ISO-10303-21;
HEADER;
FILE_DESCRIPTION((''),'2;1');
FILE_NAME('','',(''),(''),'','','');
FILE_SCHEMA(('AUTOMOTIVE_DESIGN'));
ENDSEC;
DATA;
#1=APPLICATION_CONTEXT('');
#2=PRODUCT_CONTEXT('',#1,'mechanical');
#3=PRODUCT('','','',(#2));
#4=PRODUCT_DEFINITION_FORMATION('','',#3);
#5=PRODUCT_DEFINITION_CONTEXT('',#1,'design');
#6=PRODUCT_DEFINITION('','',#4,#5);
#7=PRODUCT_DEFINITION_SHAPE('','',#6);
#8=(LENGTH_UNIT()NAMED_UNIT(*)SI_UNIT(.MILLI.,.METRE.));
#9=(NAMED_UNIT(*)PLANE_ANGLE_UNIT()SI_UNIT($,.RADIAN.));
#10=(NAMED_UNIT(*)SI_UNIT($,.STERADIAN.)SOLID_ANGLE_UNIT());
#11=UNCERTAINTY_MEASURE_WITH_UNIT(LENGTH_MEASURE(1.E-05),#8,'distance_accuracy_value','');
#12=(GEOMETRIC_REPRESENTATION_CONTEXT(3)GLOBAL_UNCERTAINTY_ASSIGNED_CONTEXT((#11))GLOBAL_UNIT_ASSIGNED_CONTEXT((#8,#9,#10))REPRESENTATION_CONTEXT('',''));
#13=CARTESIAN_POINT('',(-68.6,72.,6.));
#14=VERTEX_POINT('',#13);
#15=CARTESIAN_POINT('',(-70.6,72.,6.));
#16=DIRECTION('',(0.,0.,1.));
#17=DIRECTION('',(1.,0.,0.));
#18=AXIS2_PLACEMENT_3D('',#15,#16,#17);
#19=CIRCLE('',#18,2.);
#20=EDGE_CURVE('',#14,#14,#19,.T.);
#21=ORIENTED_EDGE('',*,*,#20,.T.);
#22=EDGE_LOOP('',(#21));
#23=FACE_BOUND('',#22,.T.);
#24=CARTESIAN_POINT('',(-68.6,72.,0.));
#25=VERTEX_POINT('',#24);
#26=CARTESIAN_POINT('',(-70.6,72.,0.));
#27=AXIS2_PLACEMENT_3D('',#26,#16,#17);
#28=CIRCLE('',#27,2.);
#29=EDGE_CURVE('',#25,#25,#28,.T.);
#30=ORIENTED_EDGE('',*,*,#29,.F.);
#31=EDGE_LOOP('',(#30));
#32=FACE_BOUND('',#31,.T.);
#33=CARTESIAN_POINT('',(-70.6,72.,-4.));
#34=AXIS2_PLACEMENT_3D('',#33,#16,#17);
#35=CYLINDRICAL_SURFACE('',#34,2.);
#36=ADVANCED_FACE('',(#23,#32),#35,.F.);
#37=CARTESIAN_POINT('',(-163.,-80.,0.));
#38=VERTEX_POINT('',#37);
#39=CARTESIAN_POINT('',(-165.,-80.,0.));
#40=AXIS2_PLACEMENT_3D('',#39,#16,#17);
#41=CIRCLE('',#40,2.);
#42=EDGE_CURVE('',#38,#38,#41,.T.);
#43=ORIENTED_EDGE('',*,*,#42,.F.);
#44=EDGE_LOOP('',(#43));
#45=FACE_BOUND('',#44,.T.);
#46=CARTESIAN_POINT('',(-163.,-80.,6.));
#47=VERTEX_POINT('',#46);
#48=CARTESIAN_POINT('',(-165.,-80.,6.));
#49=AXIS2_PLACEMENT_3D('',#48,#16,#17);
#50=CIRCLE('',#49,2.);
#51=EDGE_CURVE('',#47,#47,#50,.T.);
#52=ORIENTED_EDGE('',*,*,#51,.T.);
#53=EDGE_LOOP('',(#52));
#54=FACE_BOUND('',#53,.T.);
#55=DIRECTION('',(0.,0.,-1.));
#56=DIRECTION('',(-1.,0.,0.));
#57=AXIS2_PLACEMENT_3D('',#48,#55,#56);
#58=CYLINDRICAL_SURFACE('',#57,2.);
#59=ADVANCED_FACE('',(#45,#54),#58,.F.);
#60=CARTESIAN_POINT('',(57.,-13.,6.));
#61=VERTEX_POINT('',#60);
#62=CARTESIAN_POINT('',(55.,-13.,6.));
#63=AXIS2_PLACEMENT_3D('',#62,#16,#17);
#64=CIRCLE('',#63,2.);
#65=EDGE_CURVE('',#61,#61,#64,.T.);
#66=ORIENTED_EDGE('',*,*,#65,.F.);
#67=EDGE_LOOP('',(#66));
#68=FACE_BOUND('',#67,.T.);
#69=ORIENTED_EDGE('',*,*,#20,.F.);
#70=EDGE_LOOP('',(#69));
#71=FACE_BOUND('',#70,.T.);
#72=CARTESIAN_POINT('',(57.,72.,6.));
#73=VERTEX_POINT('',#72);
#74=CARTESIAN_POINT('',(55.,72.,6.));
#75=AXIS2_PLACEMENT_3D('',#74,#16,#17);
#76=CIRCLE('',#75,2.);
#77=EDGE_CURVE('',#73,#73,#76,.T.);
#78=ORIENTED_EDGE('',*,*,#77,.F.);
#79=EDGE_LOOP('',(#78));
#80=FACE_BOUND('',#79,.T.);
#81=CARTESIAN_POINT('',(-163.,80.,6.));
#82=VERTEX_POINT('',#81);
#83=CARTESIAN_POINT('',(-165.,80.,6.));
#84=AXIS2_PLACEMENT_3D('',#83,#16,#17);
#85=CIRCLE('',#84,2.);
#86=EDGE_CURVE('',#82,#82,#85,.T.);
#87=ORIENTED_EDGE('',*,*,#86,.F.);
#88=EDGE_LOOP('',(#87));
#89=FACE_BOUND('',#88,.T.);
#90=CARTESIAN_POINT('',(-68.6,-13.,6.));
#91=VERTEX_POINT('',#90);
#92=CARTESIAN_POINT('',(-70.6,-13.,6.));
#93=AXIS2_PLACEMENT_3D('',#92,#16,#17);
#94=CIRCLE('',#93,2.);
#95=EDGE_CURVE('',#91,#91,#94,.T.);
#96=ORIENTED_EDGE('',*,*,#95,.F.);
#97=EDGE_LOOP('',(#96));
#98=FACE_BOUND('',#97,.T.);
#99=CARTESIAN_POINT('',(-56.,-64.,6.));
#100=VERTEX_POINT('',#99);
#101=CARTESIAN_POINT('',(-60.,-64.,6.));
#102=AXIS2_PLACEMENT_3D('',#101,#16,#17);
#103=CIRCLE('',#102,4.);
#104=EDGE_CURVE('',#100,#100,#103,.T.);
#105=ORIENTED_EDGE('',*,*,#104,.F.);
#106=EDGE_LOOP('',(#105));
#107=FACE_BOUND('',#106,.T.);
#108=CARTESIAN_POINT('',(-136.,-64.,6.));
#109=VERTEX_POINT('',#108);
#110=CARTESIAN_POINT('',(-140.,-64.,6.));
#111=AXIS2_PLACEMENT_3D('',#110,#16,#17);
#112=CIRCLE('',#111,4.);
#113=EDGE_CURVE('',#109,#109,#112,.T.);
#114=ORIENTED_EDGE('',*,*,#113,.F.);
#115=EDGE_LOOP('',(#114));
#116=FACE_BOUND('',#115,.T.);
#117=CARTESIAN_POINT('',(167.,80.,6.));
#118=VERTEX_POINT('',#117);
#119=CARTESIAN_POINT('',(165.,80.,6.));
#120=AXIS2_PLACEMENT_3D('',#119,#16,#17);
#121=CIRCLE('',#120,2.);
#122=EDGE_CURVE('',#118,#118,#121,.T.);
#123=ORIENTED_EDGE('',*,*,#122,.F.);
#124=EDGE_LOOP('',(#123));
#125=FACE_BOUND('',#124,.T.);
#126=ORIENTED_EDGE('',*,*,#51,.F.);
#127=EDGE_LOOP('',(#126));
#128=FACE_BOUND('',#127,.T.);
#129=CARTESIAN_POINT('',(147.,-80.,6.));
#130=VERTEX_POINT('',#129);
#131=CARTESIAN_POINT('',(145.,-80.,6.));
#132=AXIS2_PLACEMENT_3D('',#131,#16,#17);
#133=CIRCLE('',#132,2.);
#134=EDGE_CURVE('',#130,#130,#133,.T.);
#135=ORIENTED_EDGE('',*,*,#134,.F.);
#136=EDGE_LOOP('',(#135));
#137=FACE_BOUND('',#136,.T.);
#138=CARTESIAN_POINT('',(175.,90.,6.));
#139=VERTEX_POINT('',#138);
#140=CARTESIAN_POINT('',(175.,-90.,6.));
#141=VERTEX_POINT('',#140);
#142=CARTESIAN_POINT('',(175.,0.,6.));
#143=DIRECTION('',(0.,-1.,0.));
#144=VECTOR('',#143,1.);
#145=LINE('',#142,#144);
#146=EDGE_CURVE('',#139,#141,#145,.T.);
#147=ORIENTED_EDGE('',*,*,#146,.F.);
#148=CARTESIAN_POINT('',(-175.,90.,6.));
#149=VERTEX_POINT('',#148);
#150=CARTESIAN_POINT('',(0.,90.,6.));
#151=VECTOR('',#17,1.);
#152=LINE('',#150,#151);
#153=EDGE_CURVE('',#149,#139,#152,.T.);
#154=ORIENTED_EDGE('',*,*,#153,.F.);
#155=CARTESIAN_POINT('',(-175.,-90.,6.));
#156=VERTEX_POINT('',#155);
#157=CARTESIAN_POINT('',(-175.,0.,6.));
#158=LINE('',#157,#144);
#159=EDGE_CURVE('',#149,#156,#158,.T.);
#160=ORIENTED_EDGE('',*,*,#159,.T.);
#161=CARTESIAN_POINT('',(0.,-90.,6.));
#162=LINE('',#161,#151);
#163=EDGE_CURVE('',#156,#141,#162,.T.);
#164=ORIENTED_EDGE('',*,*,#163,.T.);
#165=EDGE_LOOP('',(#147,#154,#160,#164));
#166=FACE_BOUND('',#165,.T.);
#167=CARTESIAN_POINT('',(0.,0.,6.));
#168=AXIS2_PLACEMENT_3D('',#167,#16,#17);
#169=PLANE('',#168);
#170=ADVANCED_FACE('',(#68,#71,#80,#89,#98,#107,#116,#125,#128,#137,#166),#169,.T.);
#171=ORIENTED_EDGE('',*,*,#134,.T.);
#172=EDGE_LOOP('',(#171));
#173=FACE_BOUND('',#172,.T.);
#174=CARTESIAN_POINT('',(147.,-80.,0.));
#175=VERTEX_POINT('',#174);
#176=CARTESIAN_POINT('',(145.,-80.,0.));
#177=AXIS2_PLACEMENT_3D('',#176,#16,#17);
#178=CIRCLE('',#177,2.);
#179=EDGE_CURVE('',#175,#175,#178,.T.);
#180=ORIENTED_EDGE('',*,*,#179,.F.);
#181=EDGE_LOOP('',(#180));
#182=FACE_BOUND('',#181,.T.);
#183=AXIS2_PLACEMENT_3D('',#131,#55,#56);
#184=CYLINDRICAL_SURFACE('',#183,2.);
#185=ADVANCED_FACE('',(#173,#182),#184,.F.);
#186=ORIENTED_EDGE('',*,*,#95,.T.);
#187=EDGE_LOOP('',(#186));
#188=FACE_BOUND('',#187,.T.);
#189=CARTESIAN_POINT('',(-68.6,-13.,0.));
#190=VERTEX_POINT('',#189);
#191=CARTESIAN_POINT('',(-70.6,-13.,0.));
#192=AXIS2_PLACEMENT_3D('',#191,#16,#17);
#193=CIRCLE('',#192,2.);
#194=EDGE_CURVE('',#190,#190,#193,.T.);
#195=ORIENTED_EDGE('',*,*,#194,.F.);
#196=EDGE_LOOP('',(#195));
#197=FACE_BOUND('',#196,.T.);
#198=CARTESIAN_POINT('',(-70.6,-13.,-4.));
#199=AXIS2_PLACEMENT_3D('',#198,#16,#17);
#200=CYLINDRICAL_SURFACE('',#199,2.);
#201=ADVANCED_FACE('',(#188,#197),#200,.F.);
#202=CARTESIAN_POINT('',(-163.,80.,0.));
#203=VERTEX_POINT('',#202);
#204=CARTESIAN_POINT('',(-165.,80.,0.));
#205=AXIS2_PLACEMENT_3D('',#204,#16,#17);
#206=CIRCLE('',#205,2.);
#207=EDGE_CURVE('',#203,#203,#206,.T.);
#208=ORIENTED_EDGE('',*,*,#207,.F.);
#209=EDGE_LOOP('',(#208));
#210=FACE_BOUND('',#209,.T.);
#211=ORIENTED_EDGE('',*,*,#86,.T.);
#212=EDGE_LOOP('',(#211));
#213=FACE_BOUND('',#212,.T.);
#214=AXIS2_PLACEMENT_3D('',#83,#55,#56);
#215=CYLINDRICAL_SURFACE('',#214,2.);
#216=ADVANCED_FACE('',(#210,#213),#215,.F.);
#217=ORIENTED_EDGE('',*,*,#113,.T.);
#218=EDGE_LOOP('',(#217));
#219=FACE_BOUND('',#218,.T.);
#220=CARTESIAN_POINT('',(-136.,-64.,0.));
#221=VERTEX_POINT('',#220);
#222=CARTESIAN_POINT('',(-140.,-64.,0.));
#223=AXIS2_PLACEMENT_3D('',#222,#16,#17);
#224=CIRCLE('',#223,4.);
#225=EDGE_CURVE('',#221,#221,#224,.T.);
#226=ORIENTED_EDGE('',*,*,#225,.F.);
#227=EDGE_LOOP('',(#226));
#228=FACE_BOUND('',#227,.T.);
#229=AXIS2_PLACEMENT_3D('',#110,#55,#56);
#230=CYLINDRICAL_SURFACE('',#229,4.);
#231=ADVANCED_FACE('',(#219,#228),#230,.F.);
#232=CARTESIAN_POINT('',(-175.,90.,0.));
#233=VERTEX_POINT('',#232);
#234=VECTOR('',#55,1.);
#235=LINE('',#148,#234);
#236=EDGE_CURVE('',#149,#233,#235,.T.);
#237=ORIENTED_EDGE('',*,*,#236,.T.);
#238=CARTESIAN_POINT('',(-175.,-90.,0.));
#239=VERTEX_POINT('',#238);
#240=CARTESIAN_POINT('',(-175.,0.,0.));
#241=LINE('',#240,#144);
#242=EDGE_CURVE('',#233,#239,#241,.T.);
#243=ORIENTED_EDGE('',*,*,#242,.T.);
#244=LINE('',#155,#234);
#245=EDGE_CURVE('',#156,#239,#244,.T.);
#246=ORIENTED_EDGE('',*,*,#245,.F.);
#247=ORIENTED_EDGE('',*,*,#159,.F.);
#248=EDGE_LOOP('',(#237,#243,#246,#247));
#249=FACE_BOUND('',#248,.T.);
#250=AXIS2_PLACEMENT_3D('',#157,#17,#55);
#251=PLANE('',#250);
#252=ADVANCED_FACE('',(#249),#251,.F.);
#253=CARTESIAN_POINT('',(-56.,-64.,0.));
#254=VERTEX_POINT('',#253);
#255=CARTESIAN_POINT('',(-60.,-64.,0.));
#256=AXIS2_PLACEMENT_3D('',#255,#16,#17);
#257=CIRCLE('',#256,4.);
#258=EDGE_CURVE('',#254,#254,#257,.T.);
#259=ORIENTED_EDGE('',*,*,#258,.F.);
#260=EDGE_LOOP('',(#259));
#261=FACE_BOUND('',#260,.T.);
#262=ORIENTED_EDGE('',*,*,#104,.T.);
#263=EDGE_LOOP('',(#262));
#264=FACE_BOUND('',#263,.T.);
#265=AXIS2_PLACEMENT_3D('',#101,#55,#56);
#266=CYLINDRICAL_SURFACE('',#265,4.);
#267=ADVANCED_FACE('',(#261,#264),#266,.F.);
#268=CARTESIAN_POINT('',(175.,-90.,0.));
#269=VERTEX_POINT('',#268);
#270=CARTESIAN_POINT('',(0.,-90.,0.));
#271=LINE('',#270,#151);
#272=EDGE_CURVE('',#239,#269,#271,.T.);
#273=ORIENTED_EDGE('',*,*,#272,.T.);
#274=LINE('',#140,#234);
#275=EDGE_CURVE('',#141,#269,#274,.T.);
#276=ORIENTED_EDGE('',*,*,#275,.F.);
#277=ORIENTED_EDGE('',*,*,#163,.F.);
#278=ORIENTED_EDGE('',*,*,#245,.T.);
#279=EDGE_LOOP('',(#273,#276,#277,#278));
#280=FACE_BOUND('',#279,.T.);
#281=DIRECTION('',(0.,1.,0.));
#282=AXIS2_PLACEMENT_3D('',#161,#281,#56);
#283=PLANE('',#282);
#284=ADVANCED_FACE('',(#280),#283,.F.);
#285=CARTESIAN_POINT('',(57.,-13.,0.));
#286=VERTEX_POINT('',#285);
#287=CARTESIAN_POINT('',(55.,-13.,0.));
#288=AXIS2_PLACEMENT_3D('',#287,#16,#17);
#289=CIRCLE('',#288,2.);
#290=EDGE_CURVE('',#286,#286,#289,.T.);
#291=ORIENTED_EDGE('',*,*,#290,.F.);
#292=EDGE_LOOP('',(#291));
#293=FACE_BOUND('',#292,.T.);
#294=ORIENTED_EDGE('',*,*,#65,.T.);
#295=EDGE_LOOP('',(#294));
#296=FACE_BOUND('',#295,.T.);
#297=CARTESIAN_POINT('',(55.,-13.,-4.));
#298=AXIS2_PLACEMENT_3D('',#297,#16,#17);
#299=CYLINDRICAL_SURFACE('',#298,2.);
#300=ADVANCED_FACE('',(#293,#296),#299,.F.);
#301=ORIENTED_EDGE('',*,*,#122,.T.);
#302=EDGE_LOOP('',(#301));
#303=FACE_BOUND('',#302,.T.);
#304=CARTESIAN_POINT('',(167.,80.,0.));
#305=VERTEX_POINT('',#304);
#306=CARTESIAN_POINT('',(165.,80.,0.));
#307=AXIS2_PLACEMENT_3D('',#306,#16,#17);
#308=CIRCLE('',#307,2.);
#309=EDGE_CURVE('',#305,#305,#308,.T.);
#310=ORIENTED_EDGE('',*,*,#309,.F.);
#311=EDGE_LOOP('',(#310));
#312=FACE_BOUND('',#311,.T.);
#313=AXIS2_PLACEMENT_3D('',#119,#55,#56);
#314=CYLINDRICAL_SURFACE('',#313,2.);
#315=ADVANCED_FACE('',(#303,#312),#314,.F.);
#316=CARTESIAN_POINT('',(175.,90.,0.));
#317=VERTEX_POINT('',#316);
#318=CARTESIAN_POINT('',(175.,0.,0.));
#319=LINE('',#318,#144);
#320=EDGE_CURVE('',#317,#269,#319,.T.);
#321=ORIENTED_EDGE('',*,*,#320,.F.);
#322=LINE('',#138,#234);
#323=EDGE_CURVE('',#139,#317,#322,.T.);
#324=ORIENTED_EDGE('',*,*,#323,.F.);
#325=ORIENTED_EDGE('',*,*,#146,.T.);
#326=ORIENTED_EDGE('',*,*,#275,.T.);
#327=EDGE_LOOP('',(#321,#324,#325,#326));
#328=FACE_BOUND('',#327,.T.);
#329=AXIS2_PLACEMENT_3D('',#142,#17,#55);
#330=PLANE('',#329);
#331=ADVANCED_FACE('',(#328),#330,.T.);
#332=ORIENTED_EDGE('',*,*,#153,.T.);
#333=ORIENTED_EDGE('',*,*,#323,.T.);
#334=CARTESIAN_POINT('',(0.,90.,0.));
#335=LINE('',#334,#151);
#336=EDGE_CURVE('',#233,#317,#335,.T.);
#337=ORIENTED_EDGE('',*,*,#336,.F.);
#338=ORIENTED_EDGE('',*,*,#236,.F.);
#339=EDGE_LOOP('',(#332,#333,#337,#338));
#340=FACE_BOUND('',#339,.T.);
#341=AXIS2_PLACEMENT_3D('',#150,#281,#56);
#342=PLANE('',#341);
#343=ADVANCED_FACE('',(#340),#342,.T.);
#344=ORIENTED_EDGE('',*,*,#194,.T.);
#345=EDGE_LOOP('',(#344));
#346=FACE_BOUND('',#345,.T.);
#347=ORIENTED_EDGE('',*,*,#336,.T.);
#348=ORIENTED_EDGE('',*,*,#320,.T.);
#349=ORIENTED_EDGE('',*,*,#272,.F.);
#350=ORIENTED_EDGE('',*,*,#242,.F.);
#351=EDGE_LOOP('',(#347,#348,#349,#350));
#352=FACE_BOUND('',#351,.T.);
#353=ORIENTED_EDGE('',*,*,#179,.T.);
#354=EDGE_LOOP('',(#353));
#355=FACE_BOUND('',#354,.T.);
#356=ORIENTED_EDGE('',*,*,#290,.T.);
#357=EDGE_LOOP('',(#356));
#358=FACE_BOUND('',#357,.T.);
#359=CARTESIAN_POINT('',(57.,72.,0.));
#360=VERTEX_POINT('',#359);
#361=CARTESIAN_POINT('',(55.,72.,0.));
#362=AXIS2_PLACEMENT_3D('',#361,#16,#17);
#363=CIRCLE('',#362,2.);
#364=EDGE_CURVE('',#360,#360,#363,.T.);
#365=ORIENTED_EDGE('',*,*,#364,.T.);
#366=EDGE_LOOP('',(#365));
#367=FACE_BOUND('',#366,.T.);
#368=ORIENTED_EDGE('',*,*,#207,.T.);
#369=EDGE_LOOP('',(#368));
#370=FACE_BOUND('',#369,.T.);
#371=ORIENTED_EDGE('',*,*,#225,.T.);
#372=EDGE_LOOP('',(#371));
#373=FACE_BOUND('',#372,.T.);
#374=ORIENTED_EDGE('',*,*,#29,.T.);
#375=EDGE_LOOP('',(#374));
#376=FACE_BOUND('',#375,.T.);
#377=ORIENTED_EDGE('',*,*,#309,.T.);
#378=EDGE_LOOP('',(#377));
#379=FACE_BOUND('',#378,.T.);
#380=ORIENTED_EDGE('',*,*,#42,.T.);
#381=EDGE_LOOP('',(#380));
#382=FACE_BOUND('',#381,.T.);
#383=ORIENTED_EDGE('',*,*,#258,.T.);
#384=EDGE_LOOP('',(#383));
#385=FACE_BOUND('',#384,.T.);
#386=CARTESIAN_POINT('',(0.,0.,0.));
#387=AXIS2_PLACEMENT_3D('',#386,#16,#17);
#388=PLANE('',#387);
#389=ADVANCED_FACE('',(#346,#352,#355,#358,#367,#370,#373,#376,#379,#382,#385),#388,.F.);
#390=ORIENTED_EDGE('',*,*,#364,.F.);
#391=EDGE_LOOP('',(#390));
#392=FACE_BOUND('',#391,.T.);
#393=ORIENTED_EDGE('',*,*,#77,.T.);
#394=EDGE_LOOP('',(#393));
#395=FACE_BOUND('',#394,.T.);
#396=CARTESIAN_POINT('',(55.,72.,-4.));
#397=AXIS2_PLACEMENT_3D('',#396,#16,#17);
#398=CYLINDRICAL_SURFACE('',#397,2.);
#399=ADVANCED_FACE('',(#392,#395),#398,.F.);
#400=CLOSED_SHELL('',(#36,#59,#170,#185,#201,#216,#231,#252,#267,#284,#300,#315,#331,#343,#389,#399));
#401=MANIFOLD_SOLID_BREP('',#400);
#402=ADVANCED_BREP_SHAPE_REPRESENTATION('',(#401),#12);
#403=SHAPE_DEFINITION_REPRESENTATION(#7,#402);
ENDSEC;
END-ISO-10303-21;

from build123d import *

# Parameters (mm, degrees)
ESBO_O1_W                = 350
ESBO_O1_H                = 180
ESBO_O1_R                = 2
ESBO_O1_R_2              = 4
RESSALTO_EXTRUS_O1_DEPTH = 6
ESBO_O2_R                = 2
CORTE_EXTRUS_O1_DEPTH    = 10


with BuildPart() as part:
    # Esboço1 → Ressalto-extrusão1 (new body)
    with BuildSketch(Plane.XY):
        Rectangle(ESBO_O1_W, ESBO_O1_H)
        with Locations((145, -80)):
            Circle(ESBO_O1_R, mode=Mode.SUBTRACT)
        with Locations((165, 80)):
            Circle(ESBO_O1_R, mode=Mode.SUBTRACT)
        with Locations((-165, 80)):
            Circle(ESBO_O1_R, mode=Mode.SUBTRACT)
        with Locations((-165, -80)):
            Circle(ESBO_O1_R, mode=Mode.SUBTRACT)
        with Locations((-140, -64)):
            Circle(ESBO_O1_R_2, mode=Mode.SUBTRACT)
        with Locations((-60, -64)):
            Circle(ESBO_O1_R_2, mode=Mode.SUBTRACT)
    extrude(amount=RESSALTO_EXTRUS_O1_DEPTH)

    # Esboço2 → Corte-extrusão1 (cut)
    with BuildSketch(Plane.XY.offset(6)):
        with Locations((55, 72)):
            Circle(ESBO_O2_R)
        with Locations((-70.6, 72)):
            Circle(ESBO_O2_R)
        with Locations((-70.6, -13)):
            Circle(ESBO_O2_R)
        with Locations((55, -13)):
            Circle(ESBO_O2_R)
    extrude(amount=-CORTE_EXTRUS_O1_DEPTH, mode=Mode.SUBTRACT)


solid = part.part
